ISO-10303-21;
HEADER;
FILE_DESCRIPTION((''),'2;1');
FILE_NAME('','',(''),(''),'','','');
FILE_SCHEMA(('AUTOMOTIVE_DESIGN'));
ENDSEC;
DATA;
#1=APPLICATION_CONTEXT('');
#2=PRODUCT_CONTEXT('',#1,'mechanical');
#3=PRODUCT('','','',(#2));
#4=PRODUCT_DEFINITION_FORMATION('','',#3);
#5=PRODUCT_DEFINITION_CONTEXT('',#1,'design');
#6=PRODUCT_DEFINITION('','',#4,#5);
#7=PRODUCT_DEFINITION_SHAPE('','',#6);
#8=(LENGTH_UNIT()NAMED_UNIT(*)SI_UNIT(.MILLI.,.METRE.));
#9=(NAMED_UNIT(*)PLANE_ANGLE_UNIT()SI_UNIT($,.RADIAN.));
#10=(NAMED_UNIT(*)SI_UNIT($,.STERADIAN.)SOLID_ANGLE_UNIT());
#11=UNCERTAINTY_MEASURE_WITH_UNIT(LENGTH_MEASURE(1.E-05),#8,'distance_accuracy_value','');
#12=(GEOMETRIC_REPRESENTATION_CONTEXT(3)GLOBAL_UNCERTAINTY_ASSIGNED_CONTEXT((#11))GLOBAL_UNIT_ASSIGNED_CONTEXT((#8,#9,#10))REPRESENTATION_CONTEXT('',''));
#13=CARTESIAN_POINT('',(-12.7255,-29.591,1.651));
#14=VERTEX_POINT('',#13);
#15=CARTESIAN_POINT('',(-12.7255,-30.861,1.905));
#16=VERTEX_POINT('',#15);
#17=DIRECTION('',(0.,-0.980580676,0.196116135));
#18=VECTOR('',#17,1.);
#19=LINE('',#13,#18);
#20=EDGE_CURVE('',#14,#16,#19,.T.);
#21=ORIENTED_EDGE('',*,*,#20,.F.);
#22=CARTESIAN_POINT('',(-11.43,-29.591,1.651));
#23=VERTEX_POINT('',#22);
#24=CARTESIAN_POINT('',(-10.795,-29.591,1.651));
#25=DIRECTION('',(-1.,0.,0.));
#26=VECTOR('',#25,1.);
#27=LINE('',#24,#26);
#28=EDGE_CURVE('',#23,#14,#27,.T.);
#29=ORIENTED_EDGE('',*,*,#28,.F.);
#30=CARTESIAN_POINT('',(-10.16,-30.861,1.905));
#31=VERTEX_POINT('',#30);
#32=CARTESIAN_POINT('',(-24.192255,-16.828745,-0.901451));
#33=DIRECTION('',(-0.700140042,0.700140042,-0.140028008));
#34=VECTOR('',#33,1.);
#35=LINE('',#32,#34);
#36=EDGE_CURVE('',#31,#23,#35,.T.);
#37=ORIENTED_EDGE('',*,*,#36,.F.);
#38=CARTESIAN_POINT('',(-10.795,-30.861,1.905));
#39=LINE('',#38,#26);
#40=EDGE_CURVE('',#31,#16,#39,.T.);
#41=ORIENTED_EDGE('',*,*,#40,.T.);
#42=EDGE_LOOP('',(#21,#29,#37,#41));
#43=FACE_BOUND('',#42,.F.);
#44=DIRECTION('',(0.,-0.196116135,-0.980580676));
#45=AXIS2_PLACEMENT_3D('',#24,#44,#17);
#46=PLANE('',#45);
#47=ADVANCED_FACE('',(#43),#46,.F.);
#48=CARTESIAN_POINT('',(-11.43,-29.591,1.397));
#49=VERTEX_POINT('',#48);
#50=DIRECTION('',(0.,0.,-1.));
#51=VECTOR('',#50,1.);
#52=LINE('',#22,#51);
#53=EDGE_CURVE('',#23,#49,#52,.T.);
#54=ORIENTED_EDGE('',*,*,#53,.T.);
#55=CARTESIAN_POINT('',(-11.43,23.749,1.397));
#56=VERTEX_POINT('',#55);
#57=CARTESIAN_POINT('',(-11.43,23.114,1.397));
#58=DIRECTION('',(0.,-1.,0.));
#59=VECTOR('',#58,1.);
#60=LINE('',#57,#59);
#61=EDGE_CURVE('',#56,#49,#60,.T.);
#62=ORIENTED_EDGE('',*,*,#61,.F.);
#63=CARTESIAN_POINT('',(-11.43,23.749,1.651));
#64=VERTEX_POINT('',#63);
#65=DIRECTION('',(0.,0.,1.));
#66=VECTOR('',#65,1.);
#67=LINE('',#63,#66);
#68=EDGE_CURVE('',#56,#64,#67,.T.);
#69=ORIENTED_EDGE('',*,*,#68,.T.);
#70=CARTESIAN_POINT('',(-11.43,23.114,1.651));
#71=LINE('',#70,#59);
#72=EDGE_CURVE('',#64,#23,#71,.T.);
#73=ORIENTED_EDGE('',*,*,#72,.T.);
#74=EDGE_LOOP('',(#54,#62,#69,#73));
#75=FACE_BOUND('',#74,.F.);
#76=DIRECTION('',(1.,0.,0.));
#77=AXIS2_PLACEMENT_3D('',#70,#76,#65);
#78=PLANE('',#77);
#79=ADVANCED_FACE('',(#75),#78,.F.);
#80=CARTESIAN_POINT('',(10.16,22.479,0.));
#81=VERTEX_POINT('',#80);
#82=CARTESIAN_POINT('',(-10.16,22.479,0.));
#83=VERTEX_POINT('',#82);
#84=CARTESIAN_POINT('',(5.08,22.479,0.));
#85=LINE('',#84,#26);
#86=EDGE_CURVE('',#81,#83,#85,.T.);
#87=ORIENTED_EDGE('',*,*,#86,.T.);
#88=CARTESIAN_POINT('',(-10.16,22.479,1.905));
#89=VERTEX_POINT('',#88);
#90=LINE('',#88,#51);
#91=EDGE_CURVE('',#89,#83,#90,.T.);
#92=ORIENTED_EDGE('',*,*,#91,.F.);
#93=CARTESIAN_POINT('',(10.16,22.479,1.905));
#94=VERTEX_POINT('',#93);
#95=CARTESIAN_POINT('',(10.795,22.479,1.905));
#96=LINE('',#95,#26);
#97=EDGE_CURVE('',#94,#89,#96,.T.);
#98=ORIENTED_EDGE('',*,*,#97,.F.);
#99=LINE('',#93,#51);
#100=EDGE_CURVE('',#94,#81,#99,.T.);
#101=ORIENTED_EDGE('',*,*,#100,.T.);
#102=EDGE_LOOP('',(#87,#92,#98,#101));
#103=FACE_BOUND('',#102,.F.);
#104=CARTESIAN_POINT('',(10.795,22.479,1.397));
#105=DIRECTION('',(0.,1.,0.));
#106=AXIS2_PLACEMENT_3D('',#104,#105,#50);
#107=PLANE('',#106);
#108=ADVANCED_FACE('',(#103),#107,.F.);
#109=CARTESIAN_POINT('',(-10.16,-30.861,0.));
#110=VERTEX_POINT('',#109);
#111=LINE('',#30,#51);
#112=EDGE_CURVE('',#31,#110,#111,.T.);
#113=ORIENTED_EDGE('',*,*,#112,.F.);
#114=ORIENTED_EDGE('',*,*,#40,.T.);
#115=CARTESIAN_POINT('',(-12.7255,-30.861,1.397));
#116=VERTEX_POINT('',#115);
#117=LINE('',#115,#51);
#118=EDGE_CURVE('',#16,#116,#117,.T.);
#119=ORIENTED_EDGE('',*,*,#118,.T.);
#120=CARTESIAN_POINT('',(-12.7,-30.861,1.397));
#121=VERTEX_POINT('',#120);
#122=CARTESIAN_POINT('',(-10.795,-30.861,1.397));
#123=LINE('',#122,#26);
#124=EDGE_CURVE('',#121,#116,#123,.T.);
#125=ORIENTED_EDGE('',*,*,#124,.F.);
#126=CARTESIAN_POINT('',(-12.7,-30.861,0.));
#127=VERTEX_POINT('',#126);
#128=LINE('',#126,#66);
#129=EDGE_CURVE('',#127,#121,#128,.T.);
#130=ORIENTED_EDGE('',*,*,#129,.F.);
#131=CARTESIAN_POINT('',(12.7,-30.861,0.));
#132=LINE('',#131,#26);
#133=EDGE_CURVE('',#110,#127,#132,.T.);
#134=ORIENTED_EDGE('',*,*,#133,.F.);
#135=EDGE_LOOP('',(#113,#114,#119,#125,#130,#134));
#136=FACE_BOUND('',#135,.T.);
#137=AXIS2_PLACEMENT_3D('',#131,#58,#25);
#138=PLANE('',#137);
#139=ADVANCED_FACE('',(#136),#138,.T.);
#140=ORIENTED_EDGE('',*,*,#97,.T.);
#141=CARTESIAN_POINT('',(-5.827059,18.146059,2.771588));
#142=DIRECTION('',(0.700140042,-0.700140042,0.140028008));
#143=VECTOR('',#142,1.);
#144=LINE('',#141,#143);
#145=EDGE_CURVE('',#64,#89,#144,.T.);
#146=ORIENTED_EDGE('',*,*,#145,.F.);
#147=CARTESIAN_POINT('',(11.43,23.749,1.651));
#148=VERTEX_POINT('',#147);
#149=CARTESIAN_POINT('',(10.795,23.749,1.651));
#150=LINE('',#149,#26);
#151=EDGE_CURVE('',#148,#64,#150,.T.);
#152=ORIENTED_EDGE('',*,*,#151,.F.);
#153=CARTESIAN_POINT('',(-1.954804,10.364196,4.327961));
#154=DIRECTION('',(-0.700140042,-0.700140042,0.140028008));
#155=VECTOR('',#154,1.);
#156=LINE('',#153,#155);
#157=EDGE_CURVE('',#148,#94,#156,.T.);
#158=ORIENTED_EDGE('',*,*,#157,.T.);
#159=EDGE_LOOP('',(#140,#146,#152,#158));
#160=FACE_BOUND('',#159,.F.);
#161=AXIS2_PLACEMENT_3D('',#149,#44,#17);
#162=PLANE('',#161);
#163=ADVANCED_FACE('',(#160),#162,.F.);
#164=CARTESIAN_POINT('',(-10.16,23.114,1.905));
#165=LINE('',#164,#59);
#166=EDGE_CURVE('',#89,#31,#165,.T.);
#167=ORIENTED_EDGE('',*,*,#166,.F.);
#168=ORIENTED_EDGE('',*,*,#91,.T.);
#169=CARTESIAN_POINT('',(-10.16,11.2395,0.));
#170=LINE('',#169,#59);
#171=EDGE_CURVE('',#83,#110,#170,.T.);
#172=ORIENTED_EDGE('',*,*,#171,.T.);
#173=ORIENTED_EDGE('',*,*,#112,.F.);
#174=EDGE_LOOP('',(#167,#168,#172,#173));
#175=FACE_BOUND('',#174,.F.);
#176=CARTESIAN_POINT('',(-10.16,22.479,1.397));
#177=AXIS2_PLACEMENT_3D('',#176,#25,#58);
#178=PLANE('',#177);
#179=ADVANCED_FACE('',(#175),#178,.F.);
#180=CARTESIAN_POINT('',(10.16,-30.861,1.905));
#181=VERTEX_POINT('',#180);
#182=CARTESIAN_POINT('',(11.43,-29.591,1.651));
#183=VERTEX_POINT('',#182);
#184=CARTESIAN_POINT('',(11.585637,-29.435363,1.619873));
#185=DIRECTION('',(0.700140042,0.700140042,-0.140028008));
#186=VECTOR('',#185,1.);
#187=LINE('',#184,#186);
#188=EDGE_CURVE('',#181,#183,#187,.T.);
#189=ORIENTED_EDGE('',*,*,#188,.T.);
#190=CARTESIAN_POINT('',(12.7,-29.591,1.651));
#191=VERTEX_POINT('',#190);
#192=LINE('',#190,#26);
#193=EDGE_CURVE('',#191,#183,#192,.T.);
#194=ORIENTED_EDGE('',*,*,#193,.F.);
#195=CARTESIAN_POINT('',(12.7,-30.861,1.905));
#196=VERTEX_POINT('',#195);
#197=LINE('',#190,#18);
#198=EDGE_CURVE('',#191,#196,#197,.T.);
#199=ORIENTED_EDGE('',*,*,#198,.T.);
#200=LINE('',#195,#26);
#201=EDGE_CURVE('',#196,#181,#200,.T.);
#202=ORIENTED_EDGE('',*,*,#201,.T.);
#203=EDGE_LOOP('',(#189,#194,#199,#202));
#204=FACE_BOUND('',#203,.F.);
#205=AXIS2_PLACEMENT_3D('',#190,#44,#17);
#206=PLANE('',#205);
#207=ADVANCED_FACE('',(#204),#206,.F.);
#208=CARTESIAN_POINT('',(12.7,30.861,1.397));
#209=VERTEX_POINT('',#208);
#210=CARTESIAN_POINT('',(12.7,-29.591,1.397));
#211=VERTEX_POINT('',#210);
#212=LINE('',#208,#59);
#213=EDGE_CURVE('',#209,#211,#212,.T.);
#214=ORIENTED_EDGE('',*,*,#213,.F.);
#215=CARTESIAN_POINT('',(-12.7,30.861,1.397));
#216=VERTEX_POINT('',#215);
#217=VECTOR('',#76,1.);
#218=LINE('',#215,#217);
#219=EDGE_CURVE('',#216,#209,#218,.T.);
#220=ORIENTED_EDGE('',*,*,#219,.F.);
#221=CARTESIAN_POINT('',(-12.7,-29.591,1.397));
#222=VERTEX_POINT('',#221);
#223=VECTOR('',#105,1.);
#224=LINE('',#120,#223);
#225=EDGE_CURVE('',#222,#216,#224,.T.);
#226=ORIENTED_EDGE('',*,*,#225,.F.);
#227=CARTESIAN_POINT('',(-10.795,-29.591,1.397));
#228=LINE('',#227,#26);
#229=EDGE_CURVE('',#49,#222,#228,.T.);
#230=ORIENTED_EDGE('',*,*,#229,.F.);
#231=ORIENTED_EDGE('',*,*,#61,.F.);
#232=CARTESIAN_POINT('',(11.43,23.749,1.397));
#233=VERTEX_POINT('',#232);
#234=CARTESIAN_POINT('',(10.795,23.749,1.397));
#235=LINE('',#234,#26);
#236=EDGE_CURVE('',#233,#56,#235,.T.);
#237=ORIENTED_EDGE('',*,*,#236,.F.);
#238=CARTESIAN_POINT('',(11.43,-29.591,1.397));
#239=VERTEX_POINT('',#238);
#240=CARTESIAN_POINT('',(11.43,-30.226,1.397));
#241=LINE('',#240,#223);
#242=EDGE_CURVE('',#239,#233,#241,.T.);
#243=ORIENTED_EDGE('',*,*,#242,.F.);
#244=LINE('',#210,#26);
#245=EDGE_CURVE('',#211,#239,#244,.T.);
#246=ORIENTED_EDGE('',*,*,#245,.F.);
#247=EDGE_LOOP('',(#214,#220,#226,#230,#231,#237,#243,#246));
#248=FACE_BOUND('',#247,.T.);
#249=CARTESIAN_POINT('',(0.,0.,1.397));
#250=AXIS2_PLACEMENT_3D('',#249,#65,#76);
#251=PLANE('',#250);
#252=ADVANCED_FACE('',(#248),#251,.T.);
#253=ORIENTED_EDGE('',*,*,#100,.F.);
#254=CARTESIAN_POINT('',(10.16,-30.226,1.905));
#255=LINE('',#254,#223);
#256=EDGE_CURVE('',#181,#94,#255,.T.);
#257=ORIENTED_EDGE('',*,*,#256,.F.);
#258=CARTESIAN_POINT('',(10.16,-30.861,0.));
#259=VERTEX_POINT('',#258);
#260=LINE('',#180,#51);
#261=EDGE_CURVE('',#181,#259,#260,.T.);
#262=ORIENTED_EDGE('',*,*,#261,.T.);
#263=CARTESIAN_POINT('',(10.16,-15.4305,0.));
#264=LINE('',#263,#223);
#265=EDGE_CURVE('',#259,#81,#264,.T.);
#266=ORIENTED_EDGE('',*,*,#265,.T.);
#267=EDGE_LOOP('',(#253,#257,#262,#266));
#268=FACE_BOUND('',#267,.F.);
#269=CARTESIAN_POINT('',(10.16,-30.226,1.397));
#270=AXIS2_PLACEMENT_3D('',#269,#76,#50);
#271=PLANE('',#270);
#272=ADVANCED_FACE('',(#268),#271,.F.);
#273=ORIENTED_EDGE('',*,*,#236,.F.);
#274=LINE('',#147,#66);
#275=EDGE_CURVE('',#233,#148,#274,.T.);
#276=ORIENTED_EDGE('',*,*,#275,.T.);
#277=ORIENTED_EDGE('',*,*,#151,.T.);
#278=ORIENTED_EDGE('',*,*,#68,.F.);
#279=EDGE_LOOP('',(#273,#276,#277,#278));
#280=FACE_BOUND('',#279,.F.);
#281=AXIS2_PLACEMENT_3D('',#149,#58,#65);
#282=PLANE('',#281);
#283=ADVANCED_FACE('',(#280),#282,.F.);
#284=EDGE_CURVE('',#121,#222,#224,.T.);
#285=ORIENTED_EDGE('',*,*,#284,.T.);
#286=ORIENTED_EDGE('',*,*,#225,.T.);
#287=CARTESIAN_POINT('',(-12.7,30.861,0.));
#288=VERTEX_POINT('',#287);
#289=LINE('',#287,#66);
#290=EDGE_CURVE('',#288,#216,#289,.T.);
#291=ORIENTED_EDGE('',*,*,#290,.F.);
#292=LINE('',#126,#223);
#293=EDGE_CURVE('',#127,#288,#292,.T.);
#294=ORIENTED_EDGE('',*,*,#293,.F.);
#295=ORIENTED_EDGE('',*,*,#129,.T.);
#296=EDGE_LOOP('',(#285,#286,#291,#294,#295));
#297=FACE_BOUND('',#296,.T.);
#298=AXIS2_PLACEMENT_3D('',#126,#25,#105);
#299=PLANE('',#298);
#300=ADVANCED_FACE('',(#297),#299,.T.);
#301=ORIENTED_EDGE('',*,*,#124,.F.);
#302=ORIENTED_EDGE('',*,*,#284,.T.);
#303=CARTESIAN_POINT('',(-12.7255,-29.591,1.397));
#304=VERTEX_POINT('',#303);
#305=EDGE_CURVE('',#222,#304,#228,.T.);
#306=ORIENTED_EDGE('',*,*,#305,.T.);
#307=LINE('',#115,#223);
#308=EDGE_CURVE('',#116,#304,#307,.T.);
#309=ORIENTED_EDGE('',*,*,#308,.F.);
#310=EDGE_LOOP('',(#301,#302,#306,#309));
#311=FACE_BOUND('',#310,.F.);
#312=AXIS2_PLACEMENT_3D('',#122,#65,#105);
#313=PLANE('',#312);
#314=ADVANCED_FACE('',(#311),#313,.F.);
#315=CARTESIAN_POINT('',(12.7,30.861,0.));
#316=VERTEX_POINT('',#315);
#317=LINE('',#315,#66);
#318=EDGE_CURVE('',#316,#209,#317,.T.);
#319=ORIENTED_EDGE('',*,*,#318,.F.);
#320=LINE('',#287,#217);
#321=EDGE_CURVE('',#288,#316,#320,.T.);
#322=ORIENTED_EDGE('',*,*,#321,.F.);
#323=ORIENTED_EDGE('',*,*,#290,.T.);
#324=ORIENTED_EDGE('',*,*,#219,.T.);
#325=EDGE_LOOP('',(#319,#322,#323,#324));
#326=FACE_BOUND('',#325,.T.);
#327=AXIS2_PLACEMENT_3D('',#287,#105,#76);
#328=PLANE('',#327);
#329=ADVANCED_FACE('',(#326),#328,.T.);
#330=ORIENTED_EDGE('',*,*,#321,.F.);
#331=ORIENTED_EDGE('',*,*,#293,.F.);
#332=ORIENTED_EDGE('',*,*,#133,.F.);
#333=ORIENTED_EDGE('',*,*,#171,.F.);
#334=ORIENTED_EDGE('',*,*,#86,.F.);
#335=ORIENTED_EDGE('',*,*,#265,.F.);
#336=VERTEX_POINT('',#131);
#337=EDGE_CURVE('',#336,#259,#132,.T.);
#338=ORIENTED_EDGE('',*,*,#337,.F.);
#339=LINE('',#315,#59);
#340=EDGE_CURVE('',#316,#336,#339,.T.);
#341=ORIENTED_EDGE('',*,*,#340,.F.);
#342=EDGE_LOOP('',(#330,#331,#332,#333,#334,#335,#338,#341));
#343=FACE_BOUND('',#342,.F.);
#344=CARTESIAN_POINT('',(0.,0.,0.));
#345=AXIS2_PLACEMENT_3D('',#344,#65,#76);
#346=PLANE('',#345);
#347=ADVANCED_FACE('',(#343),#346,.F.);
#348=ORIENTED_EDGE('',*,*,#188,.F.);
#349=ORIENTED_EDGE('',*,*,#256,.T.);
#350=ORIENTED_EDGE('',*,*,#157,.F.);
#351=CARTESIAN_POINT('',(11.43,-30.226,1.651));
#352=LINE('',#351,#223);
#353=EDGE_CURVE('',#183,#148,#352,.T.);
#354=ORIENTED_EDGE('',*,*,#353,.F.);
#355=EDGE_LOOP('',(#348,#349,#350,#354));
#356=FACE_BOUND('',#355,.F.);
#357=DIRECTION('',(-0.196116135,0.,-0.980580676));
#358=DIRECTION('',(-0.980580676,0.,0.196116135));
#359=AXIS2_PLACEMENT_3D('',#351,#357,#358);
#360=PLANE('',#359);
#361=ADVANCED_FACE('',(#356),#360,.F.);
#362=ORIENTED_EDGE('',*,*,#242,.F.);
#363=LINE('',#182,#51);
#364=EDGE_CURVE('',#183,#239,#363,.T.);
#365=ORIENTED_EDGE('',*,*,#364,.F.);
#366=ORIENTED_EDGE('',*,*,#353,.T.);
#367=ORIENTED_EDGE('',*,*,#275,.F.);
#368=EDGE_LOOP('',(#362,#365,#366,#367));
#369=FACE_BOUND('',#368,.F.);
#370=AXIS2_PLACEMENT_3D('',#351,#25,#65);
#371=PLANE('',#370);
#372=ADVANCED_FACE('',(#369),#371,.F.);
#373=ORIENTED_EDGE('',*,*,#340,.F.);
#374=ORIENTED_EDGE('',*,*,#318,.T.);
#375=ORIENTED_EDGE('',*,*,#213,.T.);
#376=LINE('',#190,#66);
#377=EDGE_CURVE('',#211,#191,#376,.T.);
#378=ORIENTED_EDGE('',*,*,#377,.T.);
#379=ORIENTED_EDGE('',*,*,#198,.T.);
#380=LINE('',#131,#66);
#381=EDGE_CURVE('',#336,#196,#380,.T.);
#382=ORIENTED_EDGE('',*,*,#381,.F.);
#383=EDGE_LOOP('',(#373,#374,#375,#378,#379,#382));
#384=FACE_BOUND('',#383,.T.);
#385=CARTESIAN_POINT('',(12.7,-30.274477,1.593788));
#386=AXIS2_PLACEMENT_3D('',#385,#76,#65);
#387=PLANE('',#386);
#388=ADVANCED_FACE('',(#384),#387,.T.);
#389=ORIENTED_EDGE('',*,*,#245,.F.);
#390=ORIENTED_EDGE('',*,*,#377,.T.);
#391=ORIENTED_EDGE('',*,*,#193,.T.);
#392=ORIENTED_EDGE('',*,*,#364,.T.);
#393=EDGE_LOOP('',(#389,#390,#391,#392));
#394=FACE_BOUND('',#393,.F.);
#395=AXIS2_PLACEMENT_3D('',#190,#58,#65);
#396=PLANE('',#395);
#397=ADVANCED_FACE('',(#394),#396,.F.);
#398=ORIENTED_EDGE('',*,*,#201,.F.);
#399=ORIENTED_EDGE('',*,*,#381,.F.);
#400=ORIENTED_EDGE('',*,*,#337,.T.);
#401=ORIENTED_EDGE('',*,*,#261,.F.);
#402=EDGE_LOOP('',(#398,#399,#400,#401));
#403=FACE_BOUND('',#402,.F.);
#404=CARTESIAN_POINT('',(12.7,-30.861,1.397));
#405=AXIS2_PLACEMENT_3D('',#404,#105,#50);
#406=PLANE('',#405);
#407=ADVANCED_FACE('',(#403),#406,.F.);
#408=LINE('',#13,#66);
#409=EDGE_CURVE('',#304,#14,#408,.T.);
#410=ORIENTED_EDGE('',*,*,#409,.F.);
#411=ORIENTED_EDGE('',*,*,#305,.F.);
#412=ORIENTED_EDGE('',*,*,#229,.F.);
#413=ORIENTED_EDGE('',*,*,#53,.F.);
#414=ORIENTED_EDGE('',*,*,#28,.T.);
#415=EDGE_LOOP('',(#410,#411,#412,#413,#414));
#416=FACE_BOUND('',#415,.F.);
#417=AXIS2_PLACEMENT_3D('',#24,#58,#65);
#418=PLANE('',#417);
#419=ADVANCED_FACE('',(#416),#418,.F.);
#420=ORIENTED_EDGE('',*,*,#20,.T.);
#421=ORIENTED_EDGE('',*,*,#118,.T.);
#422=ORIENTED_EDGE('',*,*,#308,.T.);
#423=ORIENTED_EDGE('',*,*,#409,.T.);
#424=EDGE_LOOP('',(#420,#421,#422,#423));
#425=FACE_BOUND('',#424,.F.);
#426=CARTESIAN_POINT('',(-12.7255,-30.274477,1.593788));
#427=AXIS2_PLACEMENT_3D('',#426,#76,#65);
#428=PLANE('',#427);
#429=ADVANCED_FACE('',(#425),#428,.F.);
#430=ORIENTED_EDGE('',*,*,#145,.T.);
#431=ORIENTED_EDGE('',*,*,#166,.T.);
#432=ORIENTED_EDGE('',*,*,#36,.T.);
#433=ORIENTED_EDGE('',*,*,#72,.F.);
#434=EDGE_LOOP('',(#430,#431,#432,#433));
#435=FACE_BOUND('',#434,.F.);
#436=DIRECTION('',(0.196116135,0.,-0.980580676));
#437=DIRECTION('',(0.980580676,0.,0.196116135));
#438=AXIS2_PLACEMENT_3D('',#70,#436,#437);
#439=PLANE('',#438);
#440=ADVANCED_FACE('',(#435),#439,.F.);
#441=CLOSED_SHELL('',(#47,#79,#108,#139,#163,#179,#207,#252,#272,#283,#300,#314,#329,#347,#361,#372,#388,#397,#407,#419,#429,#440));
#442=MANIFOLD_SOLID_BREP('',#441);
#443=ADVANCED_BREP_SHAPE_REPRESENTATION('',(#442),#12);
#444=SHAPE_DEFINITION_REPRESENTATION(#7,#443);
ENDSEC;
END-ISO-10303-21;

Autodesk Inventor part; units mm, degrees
ref_plane "YZ Plane" through (0, 0, 0) normal (1, 0, 0) x (0, 1, 0)
ref_plane "XZ Plane" through (0, 0, 0) normal (0, 1, 0) x (-1, 0, 0)
ref_plane "XY Plane" through (0, 0, 0) normal (0, 0, 1) x (1, 0, 0)
sketch "Sketch1" plane through (0, 0, 0) normal (0, 0, 1) x (1, 0, 0)
  line L0 (-12.7, 30.861) -> (12.7, 30.861)
  line L1 (12.7, 30.861) -> (12.7, -30.861)
  line L2 (12.7, -30.861) -> (-12.7, -30.861)
  line L3 (-12.7, -30.861) -> (-12.7, 30.861)
  line L4 (-12.7, 30.861) -> (12.7, -30.861) construction
  line L5 (12.7, 30.861) -> (-12.7, -30.861) construction
  point P0 (0, 0)
  dimension "d0" = 25.4
  dimension "d1" = 61.722
extrude "Extrusion1" add sketch "Sketch1" along normal blind 1.397
sketch "Sketch2" plane through (0, 0, 1.397) normal (0, 0, 1) x (1, 0, 0)
  line L0 (-10.16, -30.861) -> (10.16, -30.861)
  line L1 (10.16, -30.861) -> (10.16, 22.479)
  line L2 (10.16, 22.479) -> (-10.16, 22.479)
  line L3 (-10.16, 22.479) -> (-10.16, -30.861)
  line L4 (-12.7, -30.861) -> (12.7, -30.861) projected
  point P0 (0, 0)
  point P1 (0, -30.861)
  dimension "d4" = 20.32
  dimension "d5" = 53.34
extrude "Extrusion2" cut sketch "Sketch2" against normal through all
sketch "Sketch3" plane through (12.7, -30.861, 0) normal (1, 0, 0) x (0, 0, -1)
  line L0 (0, 61.722) -> (0, 0) projected
  line L1 (0, 61.722) -> (-1.397, 61.722) projected
  line L2 (-1.397, 0) -> (-1.397, 61.722) projected
  line L3 (0, 0) -> (-1.397, 0) projected
  line L4 (-1.397, 0) -> (-1.905, 0)
  line L5 (-1.397, 0) -> (-1.397, 1.27)
  line L6 (-1.397, 53.34) -> (-1.397, 0) projected
  line L7 (-1.651, 1.27) -> (-1.397, 1.27)
  line L8 (-1.651, 1.27) -> (-1.905, 0)
  point P0 (0, 30.861)
  dimension "d8" = 0.508
  dimension "d9" = 1.27
  dimension "d10" = 0.254
ref_plane "Work Plane1" through (0, 0, 1.651) normal (0, 0, 1) x (1, 0, 0)
sketch "Sketch6" plane through (0, 0, 1.651) normal (0, 0, 1) x (1, 0, 0)
  line L0 (12.7, -29.591) -> (12.7, -30.861) projected
  line L1 (12.7, -30.861) -> (12.7, 30.861) projected
  line L2 (12.7, -30.226) -> (10.795, -30.226)
  line L3 (10.16, -30.861) -> (12.7, -30.861) projected
  line L4 (10.16, 22.479) -> (10.16, -30.861) projected
  line L5 (10.795, -30.226) -> (10.795, 23.114)
  line L6 (10.795, 23.114) -> (-10.795, 23.114)
  line L7 (-10.795, 23.114) -> (-10.795, -30.226)
  line L8 (-10.795, -30.226) -> (-12.7255, -30.226)
  line L9 (-12.7, -30.861) -> (-10.16, -30.861) projected
  line L10 (-10.16, -30.861) -> (-10.16, 22.479) projected
  line L11 (-10.16, 22.479) -> (10.16, 22.479) projected
  point P0 (0, 0)
  dimension "d12" = 0.635
  dimension "d13" = 0.635
  dimension "d14" = 0.635
  dimension "d15" = 0.635
  dimension "d16" = 0.635
sweep "Sweep1" add profiles "Sketch3" path "Sketch6" path curves L2 L5 L6 L7 L8 contours L4 L8 L7 L2
properties part number "door"
